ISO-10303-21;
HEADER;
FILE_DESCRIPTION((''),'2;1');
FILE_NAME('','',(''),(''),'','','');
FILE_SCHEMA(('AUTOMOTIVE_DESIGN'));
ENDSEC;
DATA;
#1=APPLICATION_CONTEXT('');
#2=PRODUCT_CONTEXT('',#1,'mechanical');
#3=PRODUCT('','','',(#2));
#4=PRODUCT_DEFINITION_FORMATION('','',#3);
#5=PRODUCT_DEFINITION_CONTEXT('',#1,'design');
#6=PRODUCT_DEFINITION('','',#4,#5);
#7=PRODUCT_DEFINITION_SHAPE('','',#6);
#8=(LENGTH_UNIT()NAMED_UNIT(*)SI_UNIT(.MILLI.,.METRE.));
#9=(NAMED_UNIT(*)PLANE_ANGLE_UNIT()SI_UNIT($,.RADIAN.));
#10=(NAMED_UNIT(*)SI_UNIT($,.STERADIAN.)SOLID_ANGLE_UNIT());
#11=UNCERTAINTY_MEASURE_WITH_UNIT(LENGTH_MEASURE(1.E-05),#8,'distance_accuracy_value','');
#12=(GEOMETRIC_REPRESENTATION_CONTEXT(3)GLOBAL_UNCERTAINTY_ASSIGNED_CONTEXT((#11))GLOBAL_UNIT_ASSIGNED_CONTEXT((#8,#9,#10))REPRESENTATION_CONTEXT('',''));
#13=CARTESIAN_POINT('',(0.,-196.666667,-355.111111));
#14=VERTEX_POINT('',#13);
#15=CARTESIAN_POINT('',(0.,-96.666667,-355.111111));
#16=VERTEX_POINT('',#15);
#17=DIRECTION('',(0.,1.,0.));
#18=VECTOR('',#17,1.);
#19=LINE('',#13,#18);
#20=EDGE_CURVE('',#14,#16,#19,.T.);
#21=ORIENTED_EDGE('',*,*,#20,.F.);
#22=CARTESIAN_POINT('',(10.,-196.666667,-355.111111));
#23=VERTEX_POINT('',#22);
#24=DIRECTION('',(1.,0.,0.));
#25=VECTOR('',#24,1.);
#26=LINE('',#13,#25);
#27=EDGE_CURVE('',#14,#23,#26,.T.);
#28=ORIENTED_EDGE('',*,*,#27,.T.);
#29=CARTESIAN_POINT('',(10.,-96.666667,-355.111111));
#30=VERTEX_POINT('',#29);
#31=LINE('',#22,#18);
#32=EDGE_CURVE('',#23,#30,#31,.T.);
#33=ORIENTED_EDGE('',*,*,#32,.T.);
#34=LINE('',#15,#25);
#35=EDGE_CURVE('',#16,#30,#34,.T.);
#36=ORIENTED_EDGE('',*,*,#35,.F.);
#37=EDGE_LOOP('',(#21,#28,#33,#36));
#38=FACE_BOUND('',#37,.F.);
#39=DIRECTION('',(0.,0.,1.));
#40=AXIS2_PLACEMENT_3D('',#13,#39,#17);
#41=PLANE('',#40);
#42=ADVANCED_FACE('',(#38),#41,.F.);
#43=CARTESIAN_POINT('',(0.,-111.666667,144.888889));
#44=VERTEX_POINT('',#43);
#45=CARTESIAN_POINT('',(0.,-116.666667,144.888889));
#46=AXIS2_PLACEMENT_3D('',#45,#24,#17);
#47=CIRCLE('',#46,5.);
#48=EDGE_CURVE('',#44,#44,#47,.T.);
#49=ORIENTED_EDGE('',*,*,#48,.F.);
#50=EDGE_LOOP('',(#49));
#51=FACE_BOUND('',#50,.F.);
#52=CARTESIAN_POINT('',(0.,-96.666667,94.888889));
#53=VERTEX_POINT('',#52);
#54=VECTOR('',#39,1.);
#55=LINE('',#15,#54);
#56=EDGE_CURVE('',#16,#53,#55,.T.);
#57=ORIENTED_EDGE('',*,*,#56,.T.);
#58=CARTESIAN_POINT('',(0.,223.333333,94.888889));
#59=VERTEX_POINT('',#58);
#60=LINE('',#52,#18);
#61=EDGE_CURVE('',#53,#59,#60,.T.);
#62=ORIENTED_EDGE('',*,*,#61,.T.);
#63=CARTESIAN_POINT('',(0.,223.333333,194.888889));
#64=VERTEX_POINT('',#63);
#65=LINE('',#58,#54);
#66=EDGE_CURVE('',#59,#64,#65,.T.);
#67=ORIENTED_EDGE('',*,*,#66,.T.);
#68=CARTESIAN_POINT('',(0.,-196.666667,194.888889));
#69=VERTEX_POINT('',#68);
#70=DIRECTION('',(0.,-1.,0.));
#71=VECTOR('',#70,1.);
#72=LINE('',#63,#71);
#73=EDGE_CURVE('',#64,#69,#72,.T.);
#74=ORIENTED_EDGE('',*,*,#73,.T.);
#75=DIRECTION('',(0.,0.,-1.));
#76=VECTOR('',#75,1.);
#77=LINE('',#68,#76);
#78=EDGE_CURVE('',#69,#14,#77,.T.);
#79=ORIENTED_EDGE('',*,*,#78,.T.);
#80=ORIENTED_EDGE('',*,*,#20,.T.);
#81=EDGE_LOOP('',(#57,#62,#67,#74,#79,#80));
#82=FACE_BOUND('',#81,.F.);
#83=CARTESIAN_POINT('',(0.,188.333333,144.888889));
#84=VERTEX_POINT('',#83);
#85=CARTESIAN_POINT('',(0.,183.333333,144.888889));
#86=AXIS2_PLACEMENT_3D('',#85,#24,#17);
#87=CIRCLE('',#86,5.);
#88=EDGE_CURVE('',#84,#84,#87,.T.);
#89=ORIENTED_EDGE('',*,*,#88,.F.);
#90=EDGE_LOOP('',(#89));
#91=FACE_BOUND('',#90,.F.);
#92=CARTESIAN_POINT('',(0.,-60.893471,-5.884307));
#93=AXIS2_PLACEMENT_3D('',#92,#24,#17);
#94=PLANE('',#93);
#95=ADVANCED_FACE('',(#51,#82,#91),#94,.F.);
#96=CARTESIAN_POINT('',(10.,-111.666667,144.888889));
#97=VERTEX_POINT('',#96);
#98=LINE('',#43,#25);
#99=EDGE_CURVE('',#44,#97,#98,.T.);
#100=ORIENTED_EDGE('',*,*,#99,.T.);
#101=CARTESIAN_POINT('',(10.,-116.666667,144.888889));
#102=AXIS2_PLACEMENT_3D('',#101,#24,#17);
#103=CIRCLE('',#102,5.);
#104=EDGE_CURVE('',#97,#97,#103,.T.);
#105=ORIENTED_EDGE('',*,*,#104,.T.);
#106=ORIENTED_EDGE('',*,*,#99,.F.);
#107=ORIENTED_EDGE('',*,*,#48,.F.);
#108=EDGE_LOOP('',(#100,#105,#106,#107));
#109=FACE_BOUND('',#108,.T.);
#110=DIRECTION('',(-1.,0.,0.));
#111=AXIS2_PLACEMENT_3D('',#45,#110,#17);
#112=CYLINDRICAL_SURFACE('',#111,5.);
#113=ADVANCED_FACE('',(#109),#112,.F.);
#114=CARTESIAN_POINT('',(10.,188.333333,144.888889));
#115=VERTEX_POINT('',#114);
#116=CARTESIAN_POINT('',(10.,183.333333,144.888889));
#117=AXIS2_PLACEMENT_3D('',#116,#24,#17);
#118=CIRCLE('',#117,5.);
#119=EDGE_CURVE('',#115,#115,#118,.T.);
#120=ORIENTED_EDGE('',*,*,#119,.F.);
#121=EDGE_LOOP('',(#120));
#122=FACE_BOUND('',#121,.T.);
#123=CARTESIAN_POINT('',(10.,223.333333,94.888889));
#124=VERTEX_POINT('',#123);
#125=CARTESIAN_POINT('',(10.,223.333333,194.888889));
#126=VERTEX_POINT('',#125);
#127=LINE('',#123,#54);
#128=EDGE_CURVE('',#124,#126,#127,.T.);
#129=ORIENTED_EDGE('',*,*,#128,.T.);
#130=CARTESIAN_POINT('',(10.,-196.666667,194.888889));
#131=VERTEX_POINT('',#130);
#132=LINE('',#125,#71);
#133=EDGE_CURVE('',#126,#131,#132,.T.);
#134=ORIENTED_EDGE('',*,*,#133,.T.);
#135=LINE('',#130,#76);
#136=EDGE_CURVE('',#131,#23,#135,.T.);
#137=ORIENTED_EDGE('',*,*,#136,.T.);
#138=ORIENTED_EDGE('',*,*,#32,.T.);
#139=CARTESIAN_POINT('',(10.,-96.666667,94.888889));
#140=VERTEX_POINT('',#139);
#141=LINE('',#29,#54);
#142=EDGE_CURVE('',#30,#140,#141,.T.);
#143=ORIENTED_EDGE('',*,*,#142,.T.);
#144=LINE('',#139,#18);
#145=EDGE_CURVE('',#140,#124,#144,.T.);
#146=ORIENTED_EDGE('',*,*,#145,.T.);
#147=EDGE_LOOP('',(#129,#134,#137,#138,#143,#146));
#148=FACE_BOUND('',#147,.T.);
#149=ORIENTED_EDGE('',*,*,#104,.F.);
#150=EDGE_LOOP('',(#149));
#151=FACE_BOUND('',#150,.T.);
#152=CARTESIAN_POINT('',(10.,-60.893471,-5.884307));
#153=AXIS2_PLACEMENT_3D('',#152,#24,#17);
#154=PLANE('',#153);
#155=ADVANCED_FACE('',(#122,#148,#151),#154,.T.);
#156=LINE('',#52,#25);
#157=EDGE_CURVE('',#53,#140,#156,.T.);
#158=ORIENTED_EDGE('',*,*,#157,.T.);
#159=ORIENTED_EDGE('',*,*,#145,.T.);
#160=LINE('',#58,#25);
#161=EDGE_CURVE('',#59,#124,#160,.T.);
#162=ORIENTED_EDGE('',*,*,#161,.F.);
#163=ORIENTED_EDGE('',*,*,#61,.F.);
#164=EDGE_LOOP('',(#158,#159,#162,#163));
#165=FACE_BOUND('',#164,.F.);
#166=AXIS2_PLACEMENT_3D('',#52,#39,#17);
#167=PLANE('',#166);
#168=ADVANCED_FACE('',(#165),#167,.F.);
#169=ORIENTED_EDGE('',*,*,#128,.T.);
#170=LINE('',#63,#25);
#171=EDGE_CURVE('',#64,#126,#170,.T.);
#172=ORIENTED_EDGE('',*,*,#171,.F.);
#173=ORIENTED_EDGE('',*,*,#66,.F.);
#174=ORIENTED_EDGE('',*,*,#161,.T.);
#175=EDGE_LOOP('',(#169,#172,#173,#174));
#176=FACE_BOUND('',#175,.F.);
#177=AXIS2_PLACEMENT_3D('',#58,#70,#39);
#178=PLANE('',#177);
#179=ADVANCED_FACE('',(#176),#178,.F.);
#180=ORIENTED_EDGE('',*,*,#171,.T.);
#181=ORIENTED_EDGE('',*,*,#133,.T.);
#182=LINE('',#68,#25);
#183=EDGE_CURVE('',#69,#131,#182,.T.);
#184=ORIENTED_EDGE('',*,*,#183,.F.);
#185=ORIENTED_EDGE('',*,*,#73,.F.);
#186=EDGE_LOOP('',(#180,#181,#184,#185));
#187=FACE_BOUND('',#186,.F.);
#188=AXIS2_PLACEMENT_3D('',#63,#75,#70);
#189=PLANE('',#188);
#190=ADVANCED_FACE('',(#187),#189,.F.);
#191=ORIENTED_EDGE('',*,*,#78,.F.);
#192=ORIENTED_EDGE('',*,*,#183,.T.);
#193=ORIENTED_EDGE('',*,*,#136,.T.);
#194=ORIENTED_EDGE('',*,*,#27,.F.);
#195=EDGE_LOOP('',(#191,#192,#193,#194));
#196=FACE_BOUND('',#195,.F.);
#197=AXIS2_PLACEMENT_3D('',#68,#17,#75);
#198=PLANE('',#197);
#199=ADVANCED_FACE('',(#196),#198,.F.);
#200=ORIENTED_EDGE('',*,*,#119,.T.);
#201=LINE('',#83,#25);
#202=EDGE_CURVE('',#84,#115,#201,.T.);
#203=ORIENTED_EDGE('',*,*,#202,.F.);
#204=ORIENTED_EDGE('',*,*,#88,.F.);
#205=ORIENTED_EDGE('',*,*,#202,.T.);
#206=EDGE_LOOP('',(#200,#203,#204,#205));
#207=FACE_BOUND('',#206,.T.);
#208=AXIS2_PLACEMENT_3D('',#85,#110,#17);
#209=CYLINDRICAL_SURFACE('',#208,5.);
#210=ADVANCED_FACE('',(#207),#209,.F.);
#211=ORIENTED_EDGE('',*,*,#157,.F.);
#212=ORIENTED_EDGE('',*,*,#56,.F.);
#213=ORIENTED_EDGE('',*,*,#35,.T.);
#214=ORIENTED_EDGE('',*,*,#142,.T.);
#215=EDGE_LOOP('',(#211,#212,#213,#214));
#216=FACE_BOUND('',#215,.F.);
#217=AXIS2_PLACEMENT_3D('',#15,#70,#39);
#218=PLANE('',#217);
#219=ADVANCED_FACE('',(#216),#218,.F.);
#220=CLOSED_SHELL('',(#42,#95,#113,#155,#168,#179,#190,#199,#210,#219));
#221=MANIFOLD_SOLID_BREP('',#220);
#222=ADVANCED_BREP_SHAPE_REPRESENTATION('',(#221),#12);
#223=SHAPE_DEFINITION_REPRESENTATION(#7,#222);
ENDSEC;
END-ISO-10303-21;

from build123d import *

# Parameters (mm, degrees)
F0_R     = 5
F1_DEPTH = 10


with BuildPart() as f1:
    # F0 (on Right) → F1 (new body)
    with BuildSketch(Plane.YZ):
        Polygon((223.333333, 94.888889), (223.333333, 194.888889), (-196.666667, 194.888889), (-196.666667, -355.111111), (-96.666667, -355.111111), (-96.666667, 94.888889), align=None)
        with Locations((-116.666667, 144.888889)):
            Circle(F0_R, mode=Mode.SUBTRACT)
        with Locations((183.333333, 144.888889)):
            Circle(F0_R, mode=Mode.SUBTRACT)
    extrude(amount=F1_DEPTH)


solid = f1.part
